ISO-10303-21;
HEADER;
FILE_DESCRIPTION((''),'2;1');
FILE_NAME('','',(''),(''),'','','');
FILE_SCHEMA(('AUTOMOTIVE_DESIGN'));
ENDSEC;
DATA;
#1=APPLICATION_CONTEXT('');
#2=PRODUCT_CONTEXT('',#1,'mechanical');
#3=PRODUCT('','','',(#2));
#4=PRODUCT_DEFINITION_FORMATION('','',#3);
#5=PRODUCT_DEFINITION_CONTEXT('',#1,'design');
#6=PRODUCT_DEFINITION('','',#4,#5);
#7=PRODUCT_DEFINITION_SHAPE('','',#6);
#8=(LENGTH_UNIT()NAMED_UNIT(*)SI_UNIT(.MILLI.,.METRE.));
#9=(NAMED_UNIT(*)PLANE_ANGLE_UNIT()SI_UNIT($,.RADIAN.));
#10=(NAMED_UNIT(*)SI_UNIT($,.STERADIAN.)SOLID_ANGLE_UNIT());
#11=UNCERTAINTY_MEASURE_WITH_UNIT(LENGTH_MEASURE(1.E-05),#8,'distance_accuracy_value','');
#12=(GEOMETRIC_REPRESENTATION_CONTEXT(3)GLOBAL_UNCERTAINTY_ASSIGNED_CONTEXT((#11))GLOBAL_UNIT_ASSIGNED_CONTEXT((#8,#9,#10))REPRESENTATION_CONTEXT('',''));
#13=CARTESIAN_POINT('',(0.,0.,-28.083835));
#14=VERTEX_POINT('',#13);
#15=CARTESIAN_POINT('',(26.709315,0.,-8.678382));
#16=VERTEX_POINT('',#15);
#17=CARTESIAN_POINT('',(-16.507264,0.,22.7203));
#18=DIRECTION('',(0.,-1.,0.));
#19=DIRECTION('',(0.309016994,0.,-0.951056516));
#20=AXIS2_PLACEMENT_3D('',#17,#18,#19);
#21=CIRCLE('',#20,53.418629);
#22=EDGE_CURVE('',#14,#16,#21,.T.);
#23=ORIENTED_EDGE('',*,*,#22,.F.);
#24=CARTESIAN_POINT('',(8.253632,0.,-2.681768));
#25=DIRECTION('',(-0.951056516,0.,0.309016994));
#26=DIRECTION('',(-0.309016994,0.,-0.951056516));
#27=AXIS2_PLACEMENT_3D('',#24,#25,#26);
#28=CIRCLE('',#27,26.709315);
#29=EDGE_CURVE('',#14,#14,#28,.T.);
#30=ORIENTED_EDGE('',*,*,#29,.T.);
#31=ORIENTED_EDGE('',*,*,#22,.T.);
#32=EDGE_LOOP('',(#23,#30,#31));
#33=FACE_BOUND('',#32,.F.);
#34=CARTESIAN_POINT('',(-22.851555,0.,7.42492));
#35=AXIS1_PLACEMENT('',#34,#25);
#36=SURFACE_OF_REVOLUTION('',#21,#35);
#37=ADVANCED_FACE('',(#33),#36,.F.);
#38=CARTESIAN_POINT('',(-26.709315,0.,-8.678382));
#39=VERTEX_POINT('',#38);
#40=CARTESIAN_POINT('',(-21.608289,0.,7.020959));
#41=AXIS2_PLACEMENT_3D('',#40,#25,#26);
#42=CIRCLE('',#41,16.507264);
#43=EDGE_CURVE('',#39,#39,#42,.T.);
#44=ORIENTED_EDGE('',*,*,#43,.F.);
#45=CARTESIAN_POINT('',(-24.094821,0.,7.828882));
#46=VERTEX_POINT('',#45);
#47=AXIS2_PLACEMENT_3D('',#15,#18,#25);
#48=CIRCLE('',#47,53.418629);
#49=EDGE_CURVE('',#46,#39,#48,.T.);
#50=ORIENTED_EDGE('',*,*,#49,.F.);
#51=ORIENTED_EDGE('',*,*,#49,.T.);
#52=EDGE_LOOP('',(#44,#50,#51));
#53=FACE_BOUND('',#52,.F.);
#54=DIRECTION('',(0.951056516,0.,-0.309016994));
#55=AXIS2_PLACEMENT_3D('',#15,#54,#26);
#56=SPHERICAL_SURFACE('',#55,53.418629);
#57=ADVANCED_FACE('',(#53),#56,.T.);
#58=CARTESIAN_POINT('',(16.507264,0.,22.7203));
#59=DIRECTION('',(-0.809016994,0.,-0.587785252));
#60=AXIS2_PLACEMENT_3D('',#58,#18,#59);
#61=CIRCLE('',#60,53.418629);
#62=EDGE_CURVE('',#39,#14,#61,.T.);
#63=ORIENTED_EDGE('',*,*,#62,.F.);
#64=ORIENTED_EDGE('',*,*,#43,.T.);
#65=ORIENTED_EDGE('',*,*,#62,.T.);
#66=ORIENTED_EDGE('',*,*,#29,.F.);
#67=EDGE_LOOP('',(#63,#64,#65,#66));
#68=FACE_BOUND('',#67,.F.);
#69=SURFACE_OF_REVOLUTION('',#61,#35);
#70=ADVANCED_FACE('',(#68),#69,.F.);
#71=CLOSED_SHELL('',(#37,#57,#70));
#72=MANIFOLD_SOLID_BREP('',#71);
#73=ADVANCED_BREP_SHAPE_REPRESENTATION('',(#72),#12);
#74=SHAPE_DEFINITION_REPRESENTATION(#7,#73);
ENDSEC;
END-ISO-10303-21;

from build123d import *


with BuildPart() as f1:
    # F0 (on Front) → F1 (revolve)
    with BuildSketch(Plane.XZ):
        with BuildLine():
            Line((-26.7093145353, -8.6783823654), (-21.6082893672, 7.0209588173))
            Line((-21.6082893672, 7.0209588173), (-24.0948207339, 7.8288818336))
            ThreePointArc((-24.0948207339, 7.8288818336), (-26.0516425683, -0.3218677036), (-26.7093145353, -8.6783823654))
        make_face()
        Polygon((26.7093145353, -8.6783823654), (-21.6082893672, 7.0209588173), (-26.7093145353, -8.6783823654), (0, -28.0838352692), align=None)
        with BuildLine():
            Line((0, -28.0838352692), (-26.7093145353, -8.6783823654))
            ThreePointArc((-26.7093145353, -8.6783823654), (-14.8914181664, -20.4962787344), (0, -28.0838352692))
        make_face()
        with BuildLine():
            ThreePointArc((0, -28.0838352692), (14.8914181664, -20.4962787344), (26.7093145353, -8.6783823654))
            Line((26.7093145353, -8.6783823654), (0, -28.0838352692))
        make_face()
    revolve(axis=Axis((-22.8515550505, 0, 7.4249203255), (-0.9510565163, 0, 0.3090169944)))


solid = f1.part
